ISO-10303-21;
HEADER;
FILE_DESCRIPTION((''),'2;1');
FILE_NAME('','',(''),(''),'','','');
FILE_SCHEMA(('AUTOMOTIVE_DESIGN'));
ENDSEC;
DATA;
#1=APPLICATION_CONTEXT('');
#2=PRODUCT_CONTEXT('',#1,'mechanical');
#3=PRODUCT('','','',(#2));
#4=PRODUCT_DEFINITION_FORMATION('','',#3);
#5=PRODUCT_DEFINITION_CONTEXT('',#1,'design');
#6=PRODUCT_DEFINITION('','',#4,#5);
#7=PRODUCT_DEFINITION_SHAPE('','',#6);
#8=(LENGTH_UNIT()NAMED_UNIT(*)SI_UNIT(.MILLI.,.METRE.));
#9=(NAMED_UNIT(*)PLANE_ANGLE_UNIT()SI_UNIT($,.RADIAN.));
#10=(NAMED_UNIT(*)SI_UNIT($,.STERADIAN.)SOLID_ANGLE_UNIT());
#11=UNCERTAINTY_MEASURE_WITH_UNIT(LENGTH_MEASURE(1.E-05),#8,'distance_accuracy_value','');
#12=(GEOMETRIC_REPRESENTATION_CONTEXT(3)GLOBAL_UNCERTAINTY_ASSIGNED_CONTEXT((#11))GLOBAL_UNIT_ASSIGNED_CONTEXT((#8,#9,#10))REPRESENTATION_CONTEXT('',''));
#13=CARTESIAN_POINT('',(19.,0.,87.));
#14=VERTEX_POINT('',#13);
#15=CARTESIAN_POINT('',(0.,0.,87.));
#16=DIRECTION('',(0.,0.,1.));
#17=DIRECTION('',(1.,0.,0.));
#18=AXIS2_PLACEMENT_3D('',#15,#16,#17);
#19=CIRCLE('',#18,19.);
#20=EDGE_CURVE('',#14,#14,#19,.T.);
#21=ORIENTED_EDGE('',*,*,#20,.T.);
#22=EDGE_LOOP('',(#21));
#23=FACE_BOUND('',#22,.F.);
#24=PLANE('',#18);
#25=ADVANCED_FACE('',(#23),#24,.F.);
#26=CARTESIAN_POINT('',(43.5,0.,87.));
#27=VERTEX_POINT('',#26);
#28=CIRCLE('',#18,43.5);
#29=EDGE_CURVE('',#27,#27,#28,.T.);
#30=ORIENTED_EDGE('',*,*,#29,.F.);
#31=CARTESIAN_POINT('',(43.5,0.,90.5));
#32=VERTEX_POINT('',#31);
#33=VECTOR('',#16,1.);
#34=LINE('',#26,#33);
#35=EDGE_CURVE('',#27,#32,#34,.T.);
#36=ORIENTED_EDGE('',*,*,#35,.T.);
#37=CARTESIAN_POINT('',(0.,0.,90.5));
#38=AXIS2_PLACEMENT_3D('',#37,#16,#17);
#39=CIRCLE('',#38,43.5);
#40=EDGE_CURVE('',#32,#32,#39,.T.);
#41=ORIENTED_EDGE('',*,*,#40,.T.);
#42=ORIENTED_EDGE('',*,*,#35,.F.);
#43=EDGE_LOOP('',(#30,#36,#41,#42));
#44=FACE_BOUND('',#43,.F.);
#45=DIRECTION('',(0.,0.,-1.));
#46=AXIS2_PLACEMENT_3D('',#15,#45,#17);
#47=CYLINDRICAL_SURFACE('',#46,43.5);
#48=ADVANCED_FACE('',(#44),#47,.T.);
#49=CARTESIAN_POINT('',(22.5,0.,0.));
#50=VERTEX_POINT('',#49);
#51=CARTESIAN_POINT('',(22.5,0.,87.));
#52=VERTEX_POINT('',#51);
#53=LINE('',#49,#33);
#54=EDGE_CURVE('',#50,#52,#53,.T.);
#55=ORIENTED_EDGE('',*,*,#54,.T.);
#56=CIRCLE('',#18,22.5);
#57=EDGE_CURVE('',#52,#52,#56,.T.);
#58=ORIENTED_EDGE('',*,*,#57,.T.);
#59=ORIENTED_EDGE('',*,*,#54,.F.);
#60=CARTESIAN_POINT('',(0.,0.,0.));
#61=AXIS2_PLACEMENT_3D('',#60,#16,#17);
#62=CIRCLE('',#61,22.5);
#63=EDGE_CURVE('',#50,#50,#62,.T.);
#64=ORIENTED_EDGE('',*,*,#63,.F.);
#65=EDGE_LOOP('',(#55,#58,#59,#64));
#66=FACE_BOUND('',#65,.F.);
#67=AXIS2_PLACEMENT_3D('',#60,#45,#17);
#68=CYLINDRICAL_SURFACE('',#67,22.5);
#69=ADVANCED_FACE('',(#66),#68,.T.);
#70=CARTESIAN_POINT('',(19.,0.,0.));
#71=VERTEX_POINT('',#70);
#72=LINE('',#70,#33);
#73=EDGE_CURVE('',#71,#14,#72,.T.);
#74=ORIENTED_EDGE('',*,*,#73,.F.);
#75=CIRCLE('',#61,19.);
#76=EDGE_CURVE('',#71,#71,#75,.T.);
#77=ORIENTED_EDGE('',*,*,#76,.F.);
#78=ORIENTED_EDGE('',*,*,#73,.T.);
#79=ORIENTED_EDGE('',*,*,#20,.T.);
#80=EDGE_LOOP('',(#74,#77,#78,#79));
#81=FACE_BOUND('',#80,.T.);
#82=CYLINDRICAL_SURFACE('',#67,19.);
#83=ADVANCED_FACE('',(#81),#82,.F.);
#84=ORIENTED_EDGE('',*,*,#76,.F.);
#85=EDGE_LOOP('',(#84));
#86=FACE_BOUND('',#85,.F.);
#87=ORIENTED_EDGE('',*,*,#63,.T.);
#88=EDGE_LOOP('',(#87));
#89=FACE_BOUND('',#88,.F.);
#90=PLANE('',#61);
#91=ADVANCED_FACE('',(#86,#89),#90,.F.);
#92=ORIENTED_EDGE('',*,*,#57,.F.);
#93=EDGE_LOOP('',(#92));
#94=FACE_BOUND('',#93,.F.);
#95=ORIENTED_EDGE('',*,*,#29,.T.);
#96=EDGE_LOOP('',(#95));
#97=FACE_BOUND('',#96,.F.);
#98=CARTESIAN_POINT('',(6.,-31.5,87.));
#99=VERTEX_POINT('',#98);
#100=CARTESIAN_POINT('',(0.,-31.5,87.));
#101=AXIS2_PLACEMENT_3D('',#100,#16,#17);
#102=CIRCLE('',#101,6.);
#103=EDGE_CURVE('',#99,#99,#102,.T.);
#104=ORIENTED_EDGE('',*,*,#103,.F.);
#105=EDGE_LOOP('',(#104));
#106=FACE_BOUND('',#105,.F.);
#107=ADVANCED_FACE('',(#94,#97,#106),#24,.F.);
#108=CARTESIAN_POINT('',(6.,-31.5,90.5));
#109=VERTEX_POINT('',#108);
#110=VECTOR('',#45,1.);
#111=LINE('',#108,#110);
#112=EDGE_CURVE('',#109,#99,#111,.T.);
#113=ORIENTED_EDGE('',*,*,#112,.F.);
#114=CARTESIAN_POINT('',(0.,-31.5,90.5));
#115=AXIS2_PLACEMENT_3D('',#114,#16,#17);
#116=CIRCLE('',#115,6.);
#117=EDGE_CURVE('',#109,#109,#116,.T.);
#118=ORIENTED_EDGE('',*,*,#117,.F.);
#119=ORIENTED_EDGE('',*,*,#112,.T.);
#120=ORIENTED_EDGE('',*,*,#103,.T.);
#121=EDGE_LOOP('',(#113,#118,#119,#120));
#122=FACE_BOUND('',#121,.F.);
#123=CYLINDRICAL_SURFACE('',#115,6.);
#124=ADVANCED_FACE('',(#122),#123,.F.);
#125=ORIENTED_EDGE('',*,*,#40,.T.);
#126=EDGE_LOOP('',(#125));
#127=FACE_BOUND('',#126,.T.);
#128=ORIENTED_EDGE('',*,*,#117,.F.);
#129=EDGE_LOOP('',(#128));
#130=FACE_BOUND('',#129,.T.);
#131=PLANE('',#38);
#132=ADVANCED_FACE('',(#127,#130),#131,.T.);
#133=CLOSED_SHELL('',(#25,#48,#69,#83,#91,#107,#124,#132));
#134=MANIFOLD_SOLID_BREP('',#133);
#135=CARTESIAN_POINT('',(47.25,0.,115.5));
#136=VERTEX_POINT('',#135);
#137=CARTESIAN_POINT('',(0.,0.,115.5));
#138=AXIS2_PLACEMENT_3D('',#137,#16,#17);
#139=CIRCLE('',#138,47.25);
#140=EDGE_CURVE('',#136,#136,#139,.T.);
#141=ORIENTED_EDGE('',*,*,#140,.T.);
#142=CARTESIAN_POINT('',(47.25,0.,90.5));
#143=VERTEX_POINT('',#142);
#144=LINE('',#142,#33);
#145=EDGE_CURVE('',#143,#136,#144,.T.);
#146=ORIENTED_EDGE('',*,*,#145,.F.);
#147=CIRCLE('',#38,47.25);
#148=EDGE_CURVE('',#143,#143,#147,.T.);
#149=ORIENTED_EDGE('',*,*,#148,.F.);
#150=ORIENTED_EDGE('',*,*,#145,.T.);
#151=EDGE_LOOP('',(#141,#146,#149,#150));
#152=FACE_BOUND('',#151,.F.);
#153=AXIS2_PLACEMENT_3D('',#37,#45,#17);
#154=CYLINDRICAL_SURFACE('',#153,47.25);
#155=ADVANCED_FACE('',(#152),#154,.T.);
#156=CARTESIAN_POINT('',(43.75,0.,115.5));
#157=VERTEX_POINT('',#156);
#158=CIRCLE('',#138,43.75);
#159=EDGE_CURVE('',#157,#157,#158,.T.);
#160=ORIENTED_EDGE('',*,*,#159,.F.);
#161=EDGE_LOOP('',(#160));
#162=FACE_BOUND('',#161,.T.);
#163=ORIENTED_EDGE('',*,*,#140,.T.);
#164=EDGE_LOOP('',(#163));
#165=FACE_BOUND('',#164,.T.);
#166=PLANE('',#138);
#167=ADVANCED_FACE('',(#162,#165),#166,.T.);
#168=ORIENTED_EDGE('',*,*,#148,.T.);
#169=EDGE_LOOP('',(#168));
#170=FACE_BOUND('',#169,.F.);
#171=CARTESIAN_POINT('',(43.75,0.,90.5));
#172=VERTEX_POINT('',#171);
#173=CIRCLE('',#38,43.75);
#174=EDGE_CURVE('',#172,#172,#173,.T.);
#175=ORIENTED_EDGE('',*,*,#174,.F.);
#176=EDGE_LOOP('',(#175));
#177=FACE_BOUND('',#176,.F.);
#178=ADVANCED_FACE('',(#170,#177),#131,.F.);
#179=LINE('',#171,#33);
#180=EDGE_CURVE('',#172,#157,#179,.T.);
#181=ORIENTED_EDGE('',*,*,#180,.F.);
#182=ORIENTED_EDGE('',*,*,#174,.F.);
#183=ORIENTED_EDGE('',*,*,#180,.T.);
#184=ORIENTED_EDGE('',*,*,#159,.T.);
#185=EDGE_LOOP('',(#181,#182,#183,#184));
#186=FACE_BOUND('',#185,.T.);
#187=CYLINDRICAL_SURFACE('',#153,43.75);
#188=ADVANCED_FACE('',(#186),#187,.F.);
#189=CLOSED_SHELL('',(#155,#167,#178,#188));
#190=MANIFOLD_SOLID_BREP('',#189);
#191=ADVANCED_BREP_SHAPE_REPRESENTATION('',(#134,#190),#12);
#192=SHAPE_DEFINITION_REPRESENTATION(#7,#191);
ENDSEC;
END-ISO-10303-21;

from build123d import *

# Parameters (mm, degrees)
F0_R     = 22.5
F0_R_2   = 19
F1_DEPTH = 87
F2_R     = 43.5
F3_DEPTH = 3.5
F4_R     = 6
F5_DEPTH = 90.501
F6_R     = 47.25
F6_R_2   = 43.75
F7_DEPTH = 25


with BuildPart() as f1:
    # F0 (on Top) → F1 (new body)
    with BuildSketch(Plane.XY):
        Circle(F0_R)
        Circle(F0_R_2, mode=Mode.SUBTRACT)
    extrude(amount=F1_DEPTH)

    # F2 (on face) → F3 (join)
    with BuildSketch(Plane.XY.offset(87)):
        Circle(F2_R)
    extrude(amount=F3_DEPTH)

    # F4 (on face) → F5 (cut, through all)
    with BuildSketch(Plane.XY.offset(90.5)):
        with Locations((0, -31.5)):
            Circle(F4_R)
    extrude(amount=-F5_DEPTH, mode=Mode.SUBTRACT)


with BuildPart() as f7:
    # F6 (on face) → F7 (new body)
    with BuildSketch(Plane.XY.offset(90.5)):
        Circle(F6_R)
        Circle(F6_R_2, mode=Mode.SUBTRACT)
    extrude(amount=F7_DEPTH)


solid = Compound([f1.part, f7.part])
